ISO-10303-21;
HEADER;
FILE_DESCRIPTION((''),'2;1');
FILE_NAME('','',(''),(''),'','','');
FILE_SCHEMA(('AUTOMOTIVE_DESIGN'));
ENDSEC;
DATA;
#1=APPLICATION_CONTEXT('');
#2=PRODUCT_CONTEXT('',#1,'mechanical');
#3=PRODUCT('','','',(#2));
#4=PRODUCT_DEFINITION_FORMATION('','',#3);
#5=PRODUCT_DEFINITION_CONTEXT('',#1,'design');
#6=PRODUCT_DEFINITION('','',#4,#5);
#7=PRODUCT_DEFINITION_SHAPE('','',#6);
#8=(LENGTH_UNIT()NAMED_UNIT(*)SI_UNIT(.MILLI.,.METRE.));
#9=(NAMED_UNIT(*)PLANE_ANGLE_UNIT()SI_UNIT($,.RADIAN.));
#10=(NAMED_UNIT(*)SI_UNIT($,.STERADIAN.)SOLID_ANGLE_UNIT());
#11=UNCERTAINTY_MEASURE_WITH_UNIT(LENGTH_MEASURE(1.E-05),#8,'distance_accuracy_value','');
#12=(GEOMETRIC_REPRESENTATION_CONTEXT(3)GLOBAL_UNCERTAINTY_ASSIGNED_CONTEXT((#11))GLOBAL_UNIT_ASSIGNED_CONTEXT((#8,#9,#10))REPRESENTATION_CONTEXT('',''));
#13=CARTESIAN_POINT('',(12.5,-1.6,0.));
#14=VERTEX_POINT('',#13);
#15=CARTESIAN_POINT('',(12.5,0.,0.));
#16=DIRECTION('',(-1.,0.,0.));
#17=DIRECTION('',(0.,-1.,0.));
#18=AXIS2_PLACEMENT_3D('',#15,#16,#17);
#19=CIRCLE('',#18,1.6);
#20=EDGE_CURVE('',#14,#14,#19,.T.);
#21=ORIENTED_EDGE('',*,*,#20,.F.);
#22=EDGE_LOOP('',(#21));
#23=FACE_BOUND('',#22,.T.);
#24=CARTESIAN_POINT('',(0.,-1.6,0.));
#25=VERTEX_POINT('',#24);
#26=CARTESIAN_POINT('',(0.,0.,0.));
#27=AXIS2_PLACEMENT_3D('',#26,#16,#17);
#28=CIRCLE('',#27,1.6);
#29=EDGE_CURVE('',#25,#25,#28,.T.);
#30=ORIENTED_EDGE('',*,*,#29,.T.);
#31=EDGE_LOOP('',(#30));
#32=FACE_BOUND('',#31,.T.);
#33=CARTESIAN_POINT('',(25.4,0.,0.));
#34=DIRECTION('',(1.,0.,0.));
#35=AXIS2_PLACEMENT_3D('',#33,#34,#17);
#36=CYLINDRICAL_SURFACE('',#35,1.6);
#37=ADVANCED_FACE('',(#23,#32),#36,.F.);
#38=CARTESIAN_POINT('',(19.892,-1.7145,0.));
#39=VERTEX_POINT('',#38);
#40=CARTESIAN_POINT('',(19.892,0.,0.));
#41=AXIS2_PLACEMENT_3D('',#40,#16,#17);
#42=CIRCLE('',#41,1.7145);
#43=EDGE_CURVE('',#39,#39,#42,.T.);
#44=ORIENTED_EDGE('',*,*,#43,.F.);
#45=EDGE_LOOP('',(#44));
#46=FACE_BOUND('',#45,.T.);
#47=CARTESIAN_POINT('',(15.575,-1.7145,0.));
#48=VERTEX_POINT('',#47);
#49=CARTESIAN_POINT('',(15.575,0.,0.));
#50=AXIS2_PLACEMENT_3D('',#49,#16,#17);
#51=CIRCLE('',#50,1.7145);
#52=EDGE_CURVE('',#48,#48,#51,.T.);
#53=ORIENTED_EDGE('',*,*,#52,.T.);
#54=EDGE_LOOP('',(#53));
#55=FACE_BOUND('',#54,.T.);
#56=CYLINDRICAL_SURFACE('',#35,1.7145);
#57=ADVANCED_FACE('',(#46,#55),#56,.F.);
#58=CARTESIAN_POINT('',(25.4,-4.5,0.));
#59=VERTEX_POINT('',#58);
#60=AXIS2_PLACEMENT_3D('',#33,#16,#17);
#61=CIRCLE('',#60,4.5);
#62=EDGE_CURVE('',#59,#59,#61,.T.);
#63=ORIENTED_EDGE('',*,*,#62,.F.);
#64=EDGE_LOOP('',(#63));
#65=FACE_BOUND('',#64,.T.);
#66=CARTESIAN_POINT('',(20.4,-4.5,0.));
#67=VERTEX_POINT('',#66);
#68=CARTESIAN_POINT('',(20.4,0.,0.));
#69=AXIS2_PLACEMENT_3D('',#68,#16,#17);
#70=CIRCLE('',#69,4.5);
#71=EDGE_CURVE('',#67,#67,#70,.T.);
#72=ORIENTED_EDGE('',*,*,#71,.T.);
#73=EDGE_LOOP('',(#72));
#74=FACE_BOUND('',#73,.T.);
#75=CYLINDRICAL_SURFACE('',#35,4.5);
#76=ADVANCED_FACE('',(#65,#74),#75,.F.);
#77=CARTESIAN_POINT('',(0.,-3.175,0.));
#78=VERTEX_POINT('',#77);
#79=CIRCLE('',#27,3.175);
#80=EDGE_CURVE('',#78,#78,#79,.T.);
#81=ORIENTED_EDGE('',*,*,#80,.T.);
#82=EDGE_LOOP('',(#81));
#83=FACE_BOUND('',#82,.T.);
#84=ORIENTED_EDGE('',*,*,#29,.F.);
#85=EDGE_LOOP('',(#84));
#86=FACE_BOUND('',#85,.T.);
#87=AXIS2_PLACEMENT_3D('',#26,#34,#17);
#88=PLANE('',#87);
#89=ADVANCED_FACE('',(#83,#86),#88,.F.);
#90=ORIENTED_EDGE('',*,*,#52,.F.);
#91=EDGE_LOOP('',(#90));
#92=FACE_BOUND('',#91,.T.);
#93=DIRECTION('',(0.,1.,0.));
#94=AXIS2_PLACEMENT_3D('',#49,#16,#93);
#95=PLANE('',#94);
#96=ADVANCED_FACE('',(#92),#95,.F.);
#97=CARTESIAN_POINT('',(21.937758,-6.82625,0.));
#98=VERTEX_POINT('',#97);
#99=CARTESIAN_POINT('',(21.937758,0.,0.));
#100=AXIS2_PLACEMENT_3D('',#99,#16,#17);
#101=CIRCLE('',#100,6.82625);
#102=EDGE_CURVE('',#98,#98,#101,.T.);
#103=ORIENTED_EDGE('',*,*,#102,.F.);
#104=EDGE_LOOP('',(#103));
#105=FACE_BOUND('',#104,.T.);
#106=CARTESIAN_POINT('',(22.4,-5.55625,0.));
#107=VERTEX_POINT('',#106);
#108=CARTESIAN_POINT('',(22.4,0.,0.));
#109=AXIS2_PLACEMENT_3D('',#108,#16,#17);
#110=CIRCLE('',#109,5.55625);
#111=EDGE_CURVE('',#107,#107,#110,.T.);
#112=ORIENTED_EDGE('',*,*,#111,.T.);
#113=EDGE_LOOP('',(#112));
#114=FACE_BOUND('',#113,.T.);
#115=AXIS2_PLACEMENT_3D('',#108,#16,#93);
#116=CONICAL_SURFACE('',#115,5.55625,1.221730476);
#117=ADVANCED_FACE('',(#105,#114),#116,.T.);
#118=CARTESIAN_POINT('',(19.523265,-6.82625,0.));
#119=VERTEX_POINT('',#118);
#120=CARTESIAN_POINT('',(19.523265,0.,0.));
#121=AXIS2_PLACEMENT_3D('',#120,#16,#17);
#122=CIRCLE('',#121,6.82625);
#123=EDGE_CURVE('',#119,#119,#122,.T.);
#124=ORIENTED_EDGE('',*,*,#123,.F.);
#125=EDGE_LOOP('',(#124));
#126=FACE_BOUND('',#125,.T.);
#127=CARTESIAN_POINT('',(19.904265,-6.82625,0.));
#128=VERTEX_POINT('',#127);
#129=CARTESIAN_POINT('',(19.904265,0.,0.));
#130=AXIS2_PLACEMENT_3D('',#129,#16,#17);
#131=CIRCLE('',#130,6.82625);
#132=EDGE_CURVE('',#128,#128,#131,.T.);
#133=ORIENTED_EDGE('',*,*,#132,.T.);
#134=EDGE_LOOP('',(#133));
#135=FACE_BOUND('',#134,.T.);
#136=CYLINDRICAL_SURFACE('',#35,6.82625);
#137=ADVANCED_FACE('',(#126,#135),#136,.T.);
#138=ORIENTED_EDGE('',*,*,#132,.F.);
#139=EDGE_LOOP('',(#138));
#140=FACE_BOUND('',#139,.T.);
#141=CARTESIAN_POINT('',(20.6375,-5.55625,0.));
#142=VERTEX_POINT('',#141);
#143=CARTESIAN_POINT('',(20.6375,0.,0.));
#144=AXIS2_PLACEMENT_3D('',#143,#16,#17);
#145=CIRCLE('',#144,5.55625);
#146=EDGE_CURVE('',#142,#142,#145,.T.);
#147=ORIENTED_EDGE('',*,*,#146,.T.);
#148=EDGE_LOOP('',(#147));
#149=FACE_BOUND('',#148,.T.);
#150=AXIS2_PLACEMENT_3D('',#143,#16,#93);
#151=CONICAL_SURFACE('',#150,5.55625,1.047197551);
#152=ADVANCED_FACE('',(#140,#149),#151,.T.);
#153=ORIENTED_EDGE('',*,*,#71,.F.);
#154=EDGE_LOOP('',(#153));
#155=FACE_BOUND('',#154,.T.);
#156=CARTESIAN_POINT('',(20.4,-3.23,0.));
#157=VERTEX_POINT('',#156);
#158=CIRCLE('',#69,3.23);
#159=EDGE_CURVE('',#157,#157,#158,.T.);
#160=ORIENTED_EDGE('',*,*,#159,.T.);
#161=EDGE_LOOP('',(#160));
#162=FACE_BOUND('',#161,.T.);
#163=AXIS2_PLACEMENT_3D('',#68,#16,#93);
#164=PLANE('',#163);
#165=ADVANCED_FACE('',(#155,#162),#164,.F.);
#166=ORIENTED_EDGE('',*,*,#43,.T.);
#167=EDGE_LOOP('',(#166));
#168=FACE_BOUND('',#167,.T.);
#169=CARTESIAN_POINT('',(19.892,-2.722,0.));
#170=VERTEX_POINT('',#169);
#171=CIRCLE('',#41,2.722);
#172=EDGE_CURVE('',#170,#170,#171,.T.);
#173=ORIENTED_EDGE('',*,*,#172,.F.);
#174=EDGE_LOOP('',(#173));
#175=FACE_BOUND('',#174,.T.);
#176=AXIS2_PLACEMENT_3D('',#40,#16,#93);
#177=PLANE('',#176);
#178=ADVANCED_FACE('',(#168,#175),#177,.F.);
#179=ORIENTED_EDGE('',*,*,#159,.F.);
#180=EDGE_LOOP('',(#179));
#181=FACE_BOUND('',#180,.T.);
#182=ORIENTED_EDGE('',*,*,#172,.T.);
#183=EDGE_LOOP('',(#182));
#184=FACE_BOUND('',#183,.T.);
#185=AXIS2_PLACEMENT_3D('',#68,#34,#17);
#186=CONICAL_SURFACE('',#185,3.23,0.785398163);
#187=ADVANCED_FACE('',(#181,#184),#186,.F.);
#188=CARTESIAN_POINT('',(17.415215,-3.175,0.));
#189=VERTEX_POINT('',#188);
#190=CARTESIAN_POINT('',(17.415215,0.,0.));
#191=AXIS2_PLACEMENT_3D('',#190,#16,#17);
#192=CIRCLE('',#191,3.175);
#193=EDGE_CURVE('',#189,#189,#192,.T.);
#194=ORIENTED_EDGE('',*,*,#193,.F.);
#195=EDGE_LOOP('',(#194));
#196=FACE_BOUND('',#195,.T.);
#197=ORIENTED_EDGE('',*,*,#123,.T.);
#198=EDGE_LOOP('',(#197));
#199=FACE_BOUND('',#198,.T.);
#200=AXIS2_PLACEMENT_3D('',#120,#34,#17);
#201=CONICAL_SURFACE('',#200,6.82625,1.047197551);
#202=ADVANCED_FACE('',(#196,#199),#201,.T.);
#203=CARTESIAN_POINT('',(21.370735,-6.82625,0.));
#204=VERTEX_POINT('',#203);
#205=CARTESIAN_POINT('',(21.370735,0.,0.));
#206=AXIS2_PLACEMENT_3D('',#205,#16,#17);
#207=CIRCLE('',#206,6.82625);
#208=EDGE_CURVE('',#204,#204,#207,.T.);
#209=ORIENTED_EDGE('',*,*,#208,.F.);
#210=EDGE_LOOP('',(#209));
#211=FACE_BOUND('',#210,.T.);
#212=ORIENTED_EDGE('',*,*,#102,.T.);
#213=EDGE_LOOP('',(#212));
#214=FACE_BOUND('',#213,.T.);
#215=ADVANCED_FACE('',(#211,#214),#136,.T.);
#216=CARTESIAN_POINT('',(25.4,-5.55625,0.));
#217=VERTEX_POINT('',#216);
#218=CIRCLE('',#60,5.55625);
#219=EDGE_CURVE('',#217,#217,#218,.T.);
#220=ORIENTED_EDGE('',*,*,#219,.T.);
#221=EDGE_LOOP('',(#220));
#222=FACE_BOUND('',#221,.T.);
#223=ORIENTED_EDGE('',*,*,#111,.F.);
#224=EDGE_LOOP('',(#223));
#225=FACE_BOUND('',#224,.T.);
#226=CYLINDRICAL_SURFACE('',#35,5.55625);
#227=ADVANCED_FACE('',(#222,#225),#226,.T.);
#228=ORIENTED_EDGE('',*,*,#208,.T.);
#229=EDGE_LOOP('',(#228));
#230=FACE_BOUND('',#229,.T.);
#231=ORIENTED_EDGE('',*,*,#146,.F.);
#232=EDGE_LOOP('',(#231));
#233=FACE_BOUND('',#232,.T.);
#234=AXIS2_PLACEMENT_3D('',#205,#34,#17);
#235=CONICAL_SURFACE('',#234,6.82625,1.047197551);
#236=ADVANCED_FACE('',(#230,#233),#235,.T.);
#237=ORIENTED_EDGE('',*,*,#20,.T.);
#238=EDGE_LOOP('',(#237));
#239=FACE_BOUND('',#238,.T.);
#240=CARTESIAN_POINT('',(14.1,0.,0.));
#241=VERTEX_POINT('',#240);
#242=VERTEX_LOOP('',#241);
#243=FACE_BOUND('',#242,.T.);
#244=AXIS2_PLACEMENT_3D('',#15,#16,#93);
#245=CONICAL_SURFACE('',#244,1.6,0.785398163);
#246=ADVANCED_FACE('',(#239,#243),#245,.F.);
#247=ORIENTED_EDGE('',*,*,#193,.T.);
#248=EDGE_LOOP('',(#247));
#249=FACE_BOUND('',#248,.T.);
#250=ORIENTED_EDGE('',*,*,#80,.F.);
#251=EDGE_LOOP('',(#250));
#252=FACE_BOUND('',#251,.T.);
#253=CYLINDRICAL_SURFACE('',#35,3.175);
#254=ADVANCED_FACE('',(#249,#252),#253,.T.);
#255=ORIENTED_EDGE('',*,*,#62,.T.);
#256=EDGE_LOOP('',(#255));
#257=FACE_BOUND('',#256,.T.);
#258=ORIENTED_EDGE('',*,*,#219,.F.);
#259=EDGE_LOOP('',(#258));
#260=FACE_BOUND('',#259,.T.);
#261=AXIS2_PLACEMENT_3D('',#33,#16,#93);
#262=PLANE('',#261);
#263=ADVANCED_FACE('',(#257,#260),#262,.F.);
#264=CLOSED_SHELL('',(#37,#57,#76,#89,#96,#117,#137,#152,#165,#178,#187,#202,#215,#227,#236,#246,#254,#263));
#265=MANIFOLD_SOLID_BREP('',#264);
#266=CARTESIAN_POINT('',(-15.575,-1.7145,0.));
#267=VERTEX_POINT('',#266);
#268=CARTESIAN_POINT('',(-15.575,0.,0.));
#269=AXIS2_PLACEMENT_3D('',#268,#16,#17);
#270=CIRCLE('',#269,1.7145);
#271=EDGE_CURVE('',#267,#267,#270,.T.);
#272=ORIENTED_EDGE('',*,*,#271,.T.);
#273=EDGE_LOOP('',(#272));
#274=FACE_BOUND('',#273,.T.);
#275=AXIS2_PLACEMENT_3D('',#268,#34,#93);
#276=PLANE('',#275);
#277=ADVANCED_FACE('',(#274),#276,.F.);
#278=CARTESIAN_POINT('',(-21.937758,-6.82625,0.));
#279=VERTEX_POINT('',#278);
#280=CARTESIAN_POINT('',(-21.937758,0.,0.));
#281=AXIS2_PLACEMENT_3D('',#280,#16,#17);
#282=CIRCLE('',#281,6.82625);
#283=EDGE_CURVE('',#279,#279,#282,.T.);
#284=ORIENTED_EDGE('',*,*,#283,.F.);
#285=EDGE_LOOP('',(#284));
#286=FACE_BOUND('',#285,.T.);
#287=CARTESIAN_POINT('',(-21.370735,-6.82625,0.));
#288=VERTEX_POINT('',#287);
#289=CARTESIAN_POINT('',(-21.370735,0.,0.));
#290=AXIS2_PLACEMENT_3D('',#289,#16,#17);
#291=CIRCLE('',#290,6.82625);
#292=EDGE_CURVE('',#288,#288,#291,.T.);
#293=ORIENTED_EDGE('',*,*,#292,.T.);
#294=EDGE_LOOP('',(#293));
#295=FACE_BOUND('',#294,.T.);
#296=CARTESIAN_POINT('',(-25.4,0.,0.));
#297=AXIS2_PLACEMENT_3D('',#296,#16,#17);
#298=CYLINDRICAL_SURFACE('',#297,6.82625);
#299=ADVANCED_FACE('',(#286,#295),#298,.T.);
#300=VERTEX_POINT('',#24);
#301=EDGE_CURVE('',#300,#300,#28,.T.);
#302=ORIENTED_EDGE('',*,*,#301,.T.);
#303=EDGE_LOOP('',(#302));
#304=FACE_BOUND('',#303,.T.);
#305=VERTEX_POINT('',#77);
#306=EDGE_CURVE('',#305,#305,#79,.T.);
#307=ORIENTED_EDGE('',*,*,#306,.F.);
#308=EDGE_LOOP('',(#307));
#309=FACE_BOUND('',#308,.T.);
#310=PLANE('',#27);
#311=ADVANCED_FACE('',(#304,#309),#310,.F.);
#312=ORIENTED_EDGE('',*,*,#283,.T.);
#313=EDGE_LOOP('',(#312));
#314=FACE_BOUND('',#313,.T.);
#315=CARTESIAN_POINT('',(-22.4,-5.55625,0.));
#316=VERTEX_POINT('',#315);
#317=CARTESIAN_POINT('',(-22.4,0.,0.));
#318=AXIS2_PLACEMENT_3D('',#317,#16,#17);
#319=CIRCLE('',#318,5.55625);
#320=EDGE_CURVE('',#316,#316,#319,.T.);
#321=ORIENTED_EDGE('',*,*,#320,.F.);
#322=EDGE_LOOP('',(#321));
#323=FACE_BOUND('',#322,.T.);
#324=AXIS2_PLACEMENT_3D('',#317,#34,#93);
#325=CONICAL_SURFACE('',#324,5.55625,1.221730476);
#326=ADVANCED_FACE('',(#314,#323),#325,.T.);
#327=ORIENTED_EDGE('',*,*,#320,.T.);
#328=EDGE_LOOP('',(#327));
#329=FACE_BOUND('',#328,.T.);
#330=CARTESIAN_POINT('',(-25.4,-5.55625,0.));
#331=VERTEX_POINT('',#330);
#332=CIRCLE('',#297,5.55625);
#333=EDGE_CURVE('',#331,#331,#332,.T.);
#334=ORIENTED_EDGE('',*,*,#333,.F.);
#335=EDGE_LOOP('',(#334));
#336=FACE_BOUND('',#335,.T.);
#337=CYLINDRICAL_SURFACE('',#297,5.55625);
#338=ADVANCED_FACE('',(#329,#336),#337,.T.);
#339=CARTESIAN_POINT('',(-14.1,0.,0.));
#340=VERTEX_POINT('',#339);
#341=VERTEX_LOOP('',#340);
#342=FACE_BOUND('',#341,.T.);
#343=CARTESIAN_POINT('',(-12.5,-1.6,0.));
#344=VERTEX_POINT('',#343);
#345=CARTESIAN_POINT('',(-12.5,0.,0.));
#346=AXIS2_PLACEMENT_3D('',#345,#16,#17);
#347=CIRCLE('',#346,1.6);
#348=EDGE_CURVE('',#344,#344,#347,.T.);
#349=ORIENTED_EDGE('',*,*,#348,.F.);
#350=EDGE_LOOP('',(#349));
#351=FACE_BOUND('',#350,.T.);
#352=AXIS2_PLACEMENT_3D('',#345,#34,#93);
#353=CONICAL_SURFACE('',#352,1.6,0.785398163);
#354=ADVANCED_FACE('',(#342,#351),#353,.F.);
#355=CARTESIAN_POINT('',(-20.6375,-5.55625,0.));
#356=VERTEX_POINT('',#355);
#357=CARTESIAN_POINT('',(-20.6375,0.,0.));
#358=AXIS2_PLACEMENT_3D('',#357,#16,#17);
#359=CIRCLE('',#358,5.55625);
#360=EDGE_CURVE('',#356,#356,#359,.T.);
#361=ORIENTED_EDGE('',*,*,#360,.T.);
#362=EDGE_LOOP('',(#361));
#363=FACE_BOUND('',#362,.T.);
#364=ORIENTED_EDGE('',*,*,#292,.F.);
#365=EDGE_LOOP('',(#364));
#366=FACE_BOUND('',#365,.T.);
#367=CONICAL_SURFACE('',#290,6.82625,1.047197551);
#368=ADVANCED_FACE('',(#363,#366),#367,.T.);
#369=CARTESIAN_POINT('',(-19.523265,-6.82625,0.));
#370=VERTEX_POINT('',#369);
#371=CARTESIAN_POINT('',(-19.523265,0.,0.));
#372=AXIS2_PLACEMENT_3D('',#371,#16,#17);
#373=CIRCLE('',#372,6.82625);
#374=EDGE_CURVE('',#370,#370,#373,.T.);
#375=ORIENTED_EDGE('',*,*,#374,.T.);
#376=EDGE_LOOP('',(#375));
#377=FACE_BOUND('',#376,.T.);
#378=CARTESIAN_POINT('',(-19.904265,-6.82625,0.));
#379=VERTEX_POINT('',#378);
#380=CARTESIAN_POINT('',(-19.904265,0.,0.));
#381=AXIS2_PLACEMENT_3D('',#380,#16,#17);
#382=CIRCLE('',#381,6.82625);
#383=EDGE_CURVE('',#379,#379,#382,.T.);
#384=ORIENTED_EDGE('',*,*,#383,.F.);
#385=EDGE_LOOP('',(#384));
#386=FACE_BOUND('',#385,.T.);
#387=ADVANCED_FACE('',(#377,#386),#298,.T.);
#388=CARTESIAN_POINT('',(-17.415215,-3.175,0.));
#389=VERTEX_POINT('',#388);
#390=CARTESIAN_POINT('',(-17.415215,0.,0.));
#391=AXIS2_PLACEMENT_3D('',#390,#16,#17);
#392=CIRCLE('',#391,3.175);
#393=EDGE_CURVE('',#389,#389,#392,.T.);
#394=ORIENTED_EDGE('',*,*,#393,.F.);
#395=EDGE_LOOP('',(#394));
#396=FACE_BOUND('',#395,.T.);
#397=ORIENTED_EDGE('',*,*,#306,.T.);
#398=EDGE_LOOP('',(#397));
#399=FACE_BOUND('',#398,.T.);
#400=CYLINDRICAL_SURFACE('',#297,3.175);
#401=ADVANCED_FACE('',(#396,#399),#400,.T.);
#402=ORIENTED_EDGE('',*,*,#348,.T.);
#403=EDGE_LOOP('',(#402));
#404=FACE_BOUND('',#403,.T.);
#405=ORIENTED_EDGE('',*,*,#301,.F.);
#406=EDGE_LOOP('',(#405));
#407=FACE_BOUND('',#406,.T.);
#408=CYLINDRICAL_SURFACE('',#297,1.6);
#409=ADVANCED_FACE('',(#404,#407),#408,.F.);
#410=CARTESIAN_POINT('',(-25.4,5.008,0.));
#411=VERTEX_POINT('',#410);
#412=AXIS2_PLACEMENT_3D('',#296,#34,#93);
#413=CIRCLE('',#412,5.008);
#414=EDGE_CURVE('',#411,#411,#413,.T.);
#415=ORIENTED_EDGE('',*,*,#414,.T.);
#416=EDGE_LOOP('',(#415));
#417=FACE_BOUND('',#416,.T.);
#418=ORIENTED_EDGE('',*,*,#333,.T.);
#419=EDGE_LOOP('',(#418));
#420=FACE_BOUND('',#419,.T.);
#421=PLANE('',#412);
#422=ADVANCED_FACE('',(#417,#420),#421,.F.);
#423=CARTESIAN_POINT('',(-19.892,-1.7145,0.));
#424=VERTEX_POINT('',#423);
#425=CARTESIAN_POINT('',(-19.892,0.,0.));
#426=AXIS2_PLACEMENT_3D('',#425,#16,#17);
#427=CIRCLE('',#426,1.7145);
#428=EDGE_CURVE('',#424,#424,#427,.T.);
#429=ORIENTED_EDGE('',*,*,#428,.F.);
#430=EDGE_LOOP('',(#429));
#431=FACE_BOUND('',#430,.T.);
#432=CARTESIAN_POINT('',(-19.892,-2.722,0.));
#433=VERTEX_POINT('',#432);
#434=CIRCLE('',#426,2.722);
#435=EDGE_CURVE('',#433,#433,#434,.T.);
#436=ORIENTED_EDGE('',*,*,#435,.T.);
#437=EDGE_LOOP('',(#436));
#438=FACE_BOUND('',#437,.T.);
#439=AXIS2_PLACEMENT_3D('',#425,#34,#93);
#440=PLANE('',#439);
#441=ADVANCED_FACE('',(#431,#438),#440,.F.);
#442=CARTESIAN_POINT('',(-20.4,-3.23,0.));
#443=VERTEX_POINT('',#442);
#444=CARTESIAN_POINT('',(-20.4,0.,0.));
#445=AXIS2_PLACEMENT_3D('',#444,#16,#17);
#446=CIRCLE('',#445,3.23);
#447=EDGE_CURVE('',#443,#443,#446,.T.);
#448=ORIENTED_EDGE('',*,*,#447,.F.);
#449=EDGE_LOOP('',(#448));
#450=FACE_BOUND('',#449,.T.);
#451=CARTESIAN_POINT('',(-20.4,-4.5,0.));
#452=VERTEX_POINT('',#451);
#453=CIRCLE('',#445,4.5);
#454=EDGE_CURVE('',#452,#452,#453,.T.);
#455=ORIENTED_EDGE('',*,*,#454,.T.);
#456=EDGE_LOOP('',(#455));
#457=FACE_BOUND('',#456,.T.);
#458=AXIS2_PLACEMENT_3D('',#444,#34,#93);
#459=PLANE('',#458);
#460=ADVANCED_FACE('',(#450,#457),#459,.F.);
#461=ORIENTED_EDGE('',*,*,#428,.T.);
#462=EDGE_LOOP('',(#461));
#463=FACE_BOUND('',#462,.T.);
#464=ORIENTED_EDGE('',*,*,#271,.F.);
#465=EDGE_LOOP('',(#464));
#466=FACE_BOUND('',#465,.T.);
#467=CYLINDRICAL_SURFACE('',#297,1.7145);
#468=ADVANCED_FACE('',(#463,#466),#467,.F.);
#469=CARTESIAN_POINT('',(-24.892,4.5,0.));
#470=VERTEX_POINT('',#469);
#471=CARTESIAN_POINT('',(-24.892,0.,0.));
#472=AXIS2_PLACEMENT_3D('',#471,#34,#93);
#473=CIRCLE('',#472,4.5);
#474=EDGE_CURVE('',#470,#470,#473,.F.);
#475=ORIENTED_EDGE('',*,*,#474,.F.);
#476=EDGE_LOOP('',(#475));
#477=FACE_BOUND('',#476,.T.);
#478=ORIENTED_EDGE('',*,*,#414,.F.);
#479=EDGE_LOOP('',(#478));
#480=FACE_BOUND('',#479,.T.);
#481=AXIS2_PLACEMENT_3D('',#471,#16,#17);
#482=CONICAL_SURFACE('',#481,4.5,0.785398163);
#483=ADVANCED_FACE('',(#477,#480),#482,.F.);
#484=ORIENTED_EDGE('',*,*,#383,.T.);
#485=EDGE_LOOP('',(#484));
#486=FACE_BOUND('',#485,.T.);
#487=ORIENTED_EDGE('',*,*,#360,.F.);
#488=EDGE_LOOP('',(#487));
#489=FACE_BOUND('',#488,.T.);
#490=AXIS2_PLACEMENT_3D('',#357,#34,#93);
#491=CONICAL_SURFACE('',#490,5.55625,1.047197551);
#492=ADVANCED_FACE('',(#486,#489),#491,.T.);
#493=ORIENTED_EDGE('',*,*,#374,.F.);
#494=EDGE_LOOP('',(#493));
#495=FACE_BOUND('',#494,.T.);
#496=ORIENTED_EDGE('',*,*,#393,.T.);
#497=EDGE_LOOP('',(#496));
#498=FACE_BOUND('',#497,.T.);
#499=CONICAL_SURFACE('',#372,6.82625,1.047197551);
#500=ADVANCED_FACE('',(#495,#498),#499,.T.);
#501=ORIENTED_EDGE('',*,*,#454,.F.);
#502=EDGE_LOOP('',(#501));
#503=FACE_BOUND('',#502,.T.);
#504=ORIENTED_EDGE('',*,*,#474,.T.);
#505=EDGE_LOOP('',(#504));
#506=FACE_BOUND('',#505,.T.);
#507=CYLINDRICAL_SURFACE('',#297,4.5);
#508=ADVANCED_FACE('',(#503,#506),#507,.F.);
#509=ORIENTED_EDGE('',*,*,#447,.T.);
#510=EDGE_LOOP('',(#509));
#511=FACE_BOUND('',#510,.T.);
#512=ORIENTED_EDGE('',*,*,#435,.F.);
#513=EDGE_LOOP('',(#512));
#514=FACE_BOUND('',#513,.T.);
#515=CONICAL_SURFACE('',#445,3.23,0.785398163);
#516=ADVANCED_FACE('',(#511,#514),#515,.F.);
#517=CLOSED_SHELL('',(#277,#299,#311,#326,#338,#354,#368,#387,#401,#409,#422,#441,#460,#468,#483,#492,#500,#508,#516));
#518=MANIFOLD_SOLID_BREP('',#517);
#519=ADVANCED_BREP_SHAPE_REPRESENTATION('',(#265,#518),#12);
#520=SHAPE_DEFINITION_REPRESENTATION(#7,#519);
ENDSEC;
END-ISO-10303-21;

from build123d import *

# Parameters (mm, degrees)
CHAMFER1_SIZE = 0.508


with BuildPart() as part:
    # Sketch2 → Revolve1 (revolve)
    with BuildSketch(Plane.XY, mode=Mode.PRIVATE) as revolve1_sk:
        Polygon((-22.4, 5.55625), (-25.4, 5.55625), (-25.4, 4.5), (-20.4, 4.5), (-20.4, 3.23), (-19.892, 2.722), (-19.892, 1.7145), (-15.575, 1.7145), (-15.575, 0), (-14.1, 0), (-12.5, 1.6), (0, 1.6), (0, 3.175), (-17.415214988, 3.175), (-19.523265158, 6.82625), (-19.904265158, 6.82625), (-20.6375, 5.55625), (-21.370734842, 6.82625), (-21.937757802, 6.82625), align=None)
    revolve(revolve1_sk.sketch.rotate(Axis((-25.4, 0, 0), (1, 0, 0)), 180), axis=Axis((-25.4, 0, 0), (1, 0, 0)))


with BuildPart() as body_2:
    # Mirror1: mirrored copy
    add(part.part.mirror(Plane(origin=(0, 0, 0), x_dir=(0, 0, 1), z_dir=(1, 0, 0))))


with BuildPart() as part_1:
    add(part.part)

    # Chamfer1
    chamfer1_edges = [part_1.edges().sort_by_distance(p)[0] for p in [
        (-25.4, 4.5, 0),
    ]]
    chamfer(chamfer1_edges, length=CHAMFER1_SIZE)


solid = Compound([body_2.part, part_1.part])
